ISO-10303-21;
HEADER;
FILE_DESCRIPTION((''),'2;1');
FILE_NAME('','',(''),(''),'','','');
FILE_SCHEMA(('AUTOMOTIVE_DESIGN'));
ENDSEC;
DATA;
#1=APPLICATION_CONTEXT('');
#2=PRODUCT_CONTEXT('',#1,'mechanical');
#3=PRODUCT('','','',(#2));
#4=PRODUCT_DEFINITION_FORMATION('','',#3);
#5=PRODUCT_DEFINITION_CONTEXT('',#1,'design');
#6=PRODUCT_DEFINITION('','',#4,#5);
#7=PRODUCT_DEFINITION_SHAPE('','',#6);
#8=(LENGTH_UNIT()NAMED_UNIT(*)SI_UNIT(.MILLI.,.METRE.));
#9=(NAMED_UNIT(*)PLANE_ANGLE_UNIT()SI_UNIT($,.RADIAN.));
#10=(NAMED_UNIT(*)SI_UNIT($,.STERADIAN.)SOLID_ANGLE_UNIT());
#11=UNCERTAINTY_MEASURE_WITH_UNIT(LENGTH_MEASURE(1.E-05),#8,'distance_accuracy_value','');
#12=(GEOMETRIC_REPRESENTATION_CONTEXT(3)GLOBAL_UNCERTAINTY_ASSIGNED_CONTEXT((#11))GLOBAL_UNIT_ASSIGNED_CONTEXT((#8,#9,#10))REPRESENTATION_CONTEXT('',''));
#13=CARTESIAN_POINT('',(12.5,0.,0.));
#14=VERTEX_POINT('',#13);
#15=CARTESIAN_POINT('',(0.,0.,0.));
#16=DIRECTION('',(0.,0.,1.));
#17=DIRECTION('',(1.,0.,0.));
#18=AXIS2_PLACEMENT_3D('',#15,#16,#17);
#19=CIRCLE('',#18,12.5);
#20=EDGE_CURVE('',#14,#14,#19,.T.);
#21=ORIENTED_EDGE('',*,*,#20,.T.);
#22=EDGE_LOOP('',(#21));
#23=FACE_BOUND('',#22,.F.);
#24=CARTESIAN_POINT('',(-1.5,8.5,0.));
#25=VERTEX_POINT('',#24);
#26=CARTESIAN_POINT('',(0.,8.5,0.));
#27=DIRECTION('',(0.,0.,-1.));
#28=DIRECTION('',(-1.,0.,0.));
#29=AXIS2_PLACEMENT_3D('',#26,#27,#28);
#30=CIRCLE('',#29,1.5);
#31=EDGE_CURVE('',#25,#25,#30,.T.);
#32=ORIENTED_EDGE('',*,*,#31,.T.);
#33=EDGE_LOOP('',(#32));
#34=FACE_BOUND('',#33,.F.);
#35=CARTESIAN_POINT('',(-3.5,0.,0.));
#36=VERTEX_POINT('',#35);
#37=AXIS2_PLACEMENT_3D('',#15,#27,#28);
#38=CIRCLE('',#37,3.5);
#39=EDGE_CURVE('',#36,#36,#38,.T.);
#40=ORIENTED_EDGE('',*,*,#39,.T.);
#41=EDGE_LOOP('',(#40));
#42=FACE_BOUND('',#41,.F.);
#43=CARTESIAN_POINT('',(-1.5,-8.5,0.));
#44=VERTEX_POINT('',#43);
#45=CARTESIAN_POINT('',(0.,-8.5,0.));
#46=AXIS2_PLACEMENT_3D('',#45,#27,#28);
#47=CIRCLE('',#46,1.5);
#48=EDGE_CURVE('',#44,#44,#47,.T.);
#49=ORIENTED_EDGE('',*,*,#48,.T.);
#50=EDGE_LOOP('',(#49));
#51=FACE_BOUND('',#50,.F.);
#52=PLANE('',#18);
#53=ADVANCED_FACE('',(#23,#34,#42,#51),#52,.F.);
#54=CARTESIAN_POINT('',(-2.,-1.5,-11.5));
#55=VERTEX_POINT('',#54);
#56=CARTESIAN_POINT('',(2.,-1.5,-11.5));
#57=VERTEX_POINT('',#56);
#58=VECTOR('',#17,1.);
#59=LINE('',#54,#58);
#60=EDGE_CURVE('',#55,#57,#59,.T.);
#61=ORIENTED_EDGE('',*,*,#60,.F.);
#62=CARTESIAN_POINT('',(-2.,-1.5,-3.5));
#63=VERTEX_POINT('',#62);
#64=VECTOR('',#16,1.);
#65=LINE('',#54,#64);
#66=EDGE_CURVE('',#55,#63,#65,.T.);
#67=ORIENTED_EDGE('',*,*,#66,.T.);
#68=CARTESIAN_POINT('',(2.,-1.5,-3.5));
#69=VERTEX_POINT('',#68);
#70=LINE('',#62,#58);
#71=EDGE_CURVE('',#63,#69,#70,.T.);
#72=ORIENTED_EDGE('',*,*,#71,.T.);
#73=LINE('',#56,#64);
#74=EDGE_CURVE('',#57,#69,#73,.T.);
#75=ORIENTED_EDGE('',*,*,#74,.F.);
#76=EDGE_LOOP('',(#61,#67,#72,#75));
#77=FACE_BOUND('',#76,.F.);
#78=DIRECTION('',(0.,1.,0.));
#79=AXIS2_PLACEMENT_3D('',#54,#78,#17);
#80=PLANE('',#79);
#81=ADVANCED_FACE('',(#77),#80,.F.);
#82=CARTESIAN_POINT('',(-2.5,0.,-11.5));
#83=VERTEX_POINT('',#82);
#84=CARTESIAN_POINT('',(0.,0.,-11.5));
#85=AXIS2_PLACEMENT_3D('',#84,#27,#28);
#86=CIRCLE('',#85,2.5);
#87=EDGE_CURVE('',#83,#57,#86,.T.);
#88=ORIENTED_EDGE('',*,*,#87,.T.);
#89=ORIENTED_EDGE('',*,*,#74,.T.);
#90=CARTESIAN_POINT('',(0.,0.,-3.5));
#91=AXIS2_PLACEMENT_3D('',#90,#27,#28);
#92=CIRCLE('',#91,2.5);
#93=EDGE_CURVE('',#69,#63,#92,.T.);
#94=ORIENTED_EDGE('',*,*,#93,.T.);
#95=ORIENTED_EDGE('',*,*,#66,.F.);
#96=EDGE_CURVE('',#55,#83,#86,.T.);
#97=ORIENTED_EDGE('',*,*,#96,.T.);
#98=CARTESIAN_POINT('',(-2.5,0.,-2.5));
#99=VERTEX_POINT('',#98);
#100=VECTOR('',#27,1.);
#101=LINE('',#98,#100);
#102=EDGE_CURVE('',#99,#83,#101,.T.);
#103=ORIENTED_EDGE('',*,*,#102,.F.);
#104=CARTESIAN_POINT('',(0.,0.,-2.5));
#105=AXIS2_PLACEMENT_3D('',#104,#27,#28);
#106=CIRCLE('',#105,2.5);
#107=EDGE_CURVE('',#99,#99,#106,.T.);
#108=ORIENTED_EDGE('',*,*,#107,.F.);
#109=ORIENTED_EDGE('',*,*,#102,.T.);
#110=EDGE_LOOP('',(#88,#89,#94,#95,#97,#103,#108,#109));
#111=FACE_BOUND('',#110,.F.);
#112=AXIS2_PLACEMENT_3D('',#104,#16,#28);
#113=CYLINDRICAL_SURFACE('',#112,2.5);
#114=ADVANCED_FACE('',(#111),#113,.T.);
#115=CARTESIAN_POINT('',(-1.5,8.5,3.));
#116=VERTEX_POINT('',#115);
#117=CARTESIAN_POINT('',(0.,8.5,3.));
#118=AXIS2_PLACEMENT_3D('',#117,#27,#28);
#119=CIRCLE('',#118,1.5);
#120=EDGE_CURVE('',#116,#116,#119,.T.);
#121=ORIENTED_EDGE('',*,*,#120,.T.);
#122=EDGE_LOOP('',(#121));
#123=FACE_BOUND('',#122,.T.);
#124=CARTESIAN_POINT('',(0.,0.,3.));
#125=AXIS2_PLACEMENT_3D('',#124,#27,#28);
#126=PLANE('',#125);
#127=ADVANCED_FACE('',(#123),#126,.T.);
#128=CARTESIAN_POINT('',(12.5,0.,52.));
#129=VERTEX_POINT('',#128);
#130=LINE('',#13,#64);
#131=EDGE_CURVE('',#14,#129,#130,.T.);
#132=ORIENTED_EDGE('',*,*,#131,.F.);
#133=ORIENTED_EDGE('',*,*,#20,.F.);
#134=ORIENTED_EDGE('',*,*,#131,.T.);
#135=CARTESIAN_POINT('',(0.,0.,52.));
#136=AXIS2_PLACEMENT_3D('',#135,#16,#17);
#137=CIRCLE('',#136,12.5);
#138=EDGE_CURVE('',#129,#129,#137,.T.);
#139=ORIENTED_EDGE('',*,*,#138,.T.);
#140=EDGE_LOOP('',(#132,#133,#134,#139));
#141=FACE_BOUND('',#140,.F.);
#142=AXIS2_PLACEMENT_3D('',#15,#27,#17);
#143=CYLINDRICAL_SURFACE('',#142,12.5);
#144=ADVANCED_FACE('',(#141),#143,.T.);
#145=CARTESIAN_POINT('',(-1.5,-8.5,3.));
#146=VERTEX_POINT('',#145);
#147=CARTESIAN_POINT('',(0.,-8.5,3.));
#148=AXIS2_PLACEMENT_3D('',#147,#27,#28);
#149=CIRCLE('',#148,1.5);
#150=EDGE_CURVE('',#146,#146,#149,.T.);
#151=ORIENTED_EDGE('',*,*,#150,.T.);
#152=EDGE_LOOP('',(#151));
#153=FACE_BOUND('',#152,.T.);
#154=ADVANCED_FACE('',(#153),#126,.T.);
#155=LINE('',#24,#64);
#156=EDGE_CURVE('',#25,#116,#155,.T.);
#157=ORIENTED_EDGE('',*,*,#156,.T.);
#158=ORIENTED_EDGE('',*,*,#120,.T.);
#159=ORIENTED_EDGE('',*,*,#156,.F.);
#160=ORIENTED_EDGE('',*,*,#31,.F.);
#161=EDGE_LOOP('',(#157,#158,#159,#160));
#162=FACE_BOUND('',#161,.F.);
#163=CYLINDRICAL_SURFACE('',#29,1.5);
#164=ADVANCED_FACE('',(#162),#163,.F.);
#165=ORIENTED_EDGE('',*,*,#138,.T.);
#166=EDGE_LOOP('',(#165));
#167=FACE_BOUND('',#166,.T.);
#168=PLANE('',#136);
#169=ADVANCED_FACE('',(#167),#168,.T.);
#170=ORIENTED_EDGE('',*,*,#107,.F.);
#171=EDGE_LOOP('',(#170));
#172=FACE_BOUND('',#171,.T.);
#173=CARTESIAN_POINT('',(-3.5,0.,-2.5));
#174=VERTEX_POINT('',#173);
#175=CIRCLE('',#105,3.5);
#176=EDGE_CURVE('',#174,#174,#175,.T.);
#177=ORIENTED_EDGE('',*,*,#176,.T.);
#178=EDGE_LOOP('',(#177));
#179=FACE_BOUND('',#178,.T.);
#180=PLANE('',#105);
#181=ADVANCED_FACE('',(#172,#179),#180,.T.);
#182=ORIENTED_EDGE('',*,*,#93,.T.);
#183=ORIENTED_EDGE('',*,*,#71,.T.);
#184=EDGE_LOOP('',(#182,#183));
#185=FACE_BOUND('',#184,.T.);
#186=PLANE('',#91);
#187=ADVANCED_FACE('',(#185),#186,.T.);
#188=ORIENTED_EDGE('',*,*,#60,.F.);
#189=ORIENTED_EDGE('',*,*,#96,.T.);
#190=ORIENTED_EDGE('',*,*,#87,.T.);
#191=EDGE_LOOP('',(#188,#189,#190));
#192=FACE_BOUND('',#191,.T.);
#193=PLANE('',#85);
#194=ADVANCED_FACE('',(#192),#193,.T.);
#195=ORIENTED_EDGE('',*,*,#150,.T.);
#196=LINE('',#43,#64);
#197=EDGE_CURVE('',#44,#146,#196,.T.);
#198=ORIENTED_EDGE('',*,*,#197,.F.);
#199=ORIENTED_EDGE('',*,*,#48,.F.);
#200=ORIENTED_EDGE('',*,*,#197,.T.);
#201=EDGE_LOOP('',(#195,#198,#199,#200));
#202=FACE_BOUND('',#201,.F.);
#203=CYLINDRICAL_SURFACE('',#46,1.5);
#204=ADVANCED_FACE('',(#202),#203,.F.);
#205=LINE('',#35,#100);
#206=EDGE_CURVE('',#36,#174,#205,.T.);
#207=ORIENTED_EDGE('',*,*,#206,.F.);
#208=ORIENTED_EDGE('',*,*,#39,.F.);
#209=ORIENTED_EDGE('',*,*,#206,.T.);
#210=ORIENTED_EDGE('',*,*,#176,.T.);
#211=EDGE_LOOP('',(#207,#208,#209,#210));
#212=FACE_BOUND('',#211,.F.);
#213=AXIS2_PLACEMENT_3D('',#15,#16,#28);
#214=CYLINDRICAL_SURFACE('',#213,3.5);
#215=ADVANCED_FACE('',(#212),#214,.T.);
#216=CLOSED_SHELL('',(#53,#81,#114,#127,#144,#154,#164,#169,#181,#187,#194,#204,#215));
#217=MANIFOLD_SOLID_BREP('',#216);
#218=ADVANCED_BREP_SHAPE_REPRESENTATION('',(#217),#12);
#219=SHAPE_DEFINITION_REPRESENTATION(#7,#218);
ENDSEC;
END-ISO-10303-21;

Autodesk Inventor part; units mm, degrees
ref_plane "YZ Plane" through (0, 0, 0) normal (1, 0, 0) x (0, 1, 0)
ref_plane "XZ Plane" through (0, 0, 0) normal (0, 1, 0) x (-1, 0, 0)
ref_plane "XY Plane" through (0, 0, 0) normal (0, 0, 1) x (1, 0, 0)
sketch "Sketch1" plane through (0, 0, 0) normal (0, 0, 1) x (1, 0, 0)
  circle A0 centre (0, 0) radius 12.5
  dimension "d0" = 25
extrude "Extrusion1" add sketch "Sketch1" along normal blind 52
sketch "Sketch2" plane through (0, 0, 0) normal (0, 0, -1) x (-1, 0, 0)
  circle A0 centre (0, 0) radius 3.5
  dimension "d3" = 7
extrude "Extrusion2" add sketch "Sketch2" along normal blind 2.5
sketch "Sketch3" plane through (0, 0, -2.5) normal (0, 0, -1) x (-1, 0, 0)
  circle A0 centre (0, 0) radius 2.5
  dimension "d6" = 5
extrude "Extrusion3" add sketch "Sketch3" along normal blind 9
sketch "Sketch4" plane through (0, 0, -11.5) normal (0, 0, -1) x (-1, 0, 0)
  line L0 (2, -1.5) -> (-2, -1.5)
  circle A0 centre (0, 0) radius 2.5 projected
  dimension "d9" = 1.5
extrude "Extrusion4" cut sketch "Sketch4" against normal blind 8 contours A0 L0 picked at (-0.534, -1.6398)
sketch "Sketch5" plane through (0, 0, 0) normal (0, 0, -1) x (-1, 0, 0)
  circle A0 centre (0, -8.5) radius 1.5
  circle A1 centre (0, 8.5) radius 1.5
  point P0 (0, 0)
  dimension "d12" = 3
  dimension "d13" = 8.5
  dimension "d14" = 3
  dimension "d15" = 17
extrude "Extrusion5" cut sketch "Sketch5" against normal blind 3
properties part number "Motor" material "Stainless Steel"
